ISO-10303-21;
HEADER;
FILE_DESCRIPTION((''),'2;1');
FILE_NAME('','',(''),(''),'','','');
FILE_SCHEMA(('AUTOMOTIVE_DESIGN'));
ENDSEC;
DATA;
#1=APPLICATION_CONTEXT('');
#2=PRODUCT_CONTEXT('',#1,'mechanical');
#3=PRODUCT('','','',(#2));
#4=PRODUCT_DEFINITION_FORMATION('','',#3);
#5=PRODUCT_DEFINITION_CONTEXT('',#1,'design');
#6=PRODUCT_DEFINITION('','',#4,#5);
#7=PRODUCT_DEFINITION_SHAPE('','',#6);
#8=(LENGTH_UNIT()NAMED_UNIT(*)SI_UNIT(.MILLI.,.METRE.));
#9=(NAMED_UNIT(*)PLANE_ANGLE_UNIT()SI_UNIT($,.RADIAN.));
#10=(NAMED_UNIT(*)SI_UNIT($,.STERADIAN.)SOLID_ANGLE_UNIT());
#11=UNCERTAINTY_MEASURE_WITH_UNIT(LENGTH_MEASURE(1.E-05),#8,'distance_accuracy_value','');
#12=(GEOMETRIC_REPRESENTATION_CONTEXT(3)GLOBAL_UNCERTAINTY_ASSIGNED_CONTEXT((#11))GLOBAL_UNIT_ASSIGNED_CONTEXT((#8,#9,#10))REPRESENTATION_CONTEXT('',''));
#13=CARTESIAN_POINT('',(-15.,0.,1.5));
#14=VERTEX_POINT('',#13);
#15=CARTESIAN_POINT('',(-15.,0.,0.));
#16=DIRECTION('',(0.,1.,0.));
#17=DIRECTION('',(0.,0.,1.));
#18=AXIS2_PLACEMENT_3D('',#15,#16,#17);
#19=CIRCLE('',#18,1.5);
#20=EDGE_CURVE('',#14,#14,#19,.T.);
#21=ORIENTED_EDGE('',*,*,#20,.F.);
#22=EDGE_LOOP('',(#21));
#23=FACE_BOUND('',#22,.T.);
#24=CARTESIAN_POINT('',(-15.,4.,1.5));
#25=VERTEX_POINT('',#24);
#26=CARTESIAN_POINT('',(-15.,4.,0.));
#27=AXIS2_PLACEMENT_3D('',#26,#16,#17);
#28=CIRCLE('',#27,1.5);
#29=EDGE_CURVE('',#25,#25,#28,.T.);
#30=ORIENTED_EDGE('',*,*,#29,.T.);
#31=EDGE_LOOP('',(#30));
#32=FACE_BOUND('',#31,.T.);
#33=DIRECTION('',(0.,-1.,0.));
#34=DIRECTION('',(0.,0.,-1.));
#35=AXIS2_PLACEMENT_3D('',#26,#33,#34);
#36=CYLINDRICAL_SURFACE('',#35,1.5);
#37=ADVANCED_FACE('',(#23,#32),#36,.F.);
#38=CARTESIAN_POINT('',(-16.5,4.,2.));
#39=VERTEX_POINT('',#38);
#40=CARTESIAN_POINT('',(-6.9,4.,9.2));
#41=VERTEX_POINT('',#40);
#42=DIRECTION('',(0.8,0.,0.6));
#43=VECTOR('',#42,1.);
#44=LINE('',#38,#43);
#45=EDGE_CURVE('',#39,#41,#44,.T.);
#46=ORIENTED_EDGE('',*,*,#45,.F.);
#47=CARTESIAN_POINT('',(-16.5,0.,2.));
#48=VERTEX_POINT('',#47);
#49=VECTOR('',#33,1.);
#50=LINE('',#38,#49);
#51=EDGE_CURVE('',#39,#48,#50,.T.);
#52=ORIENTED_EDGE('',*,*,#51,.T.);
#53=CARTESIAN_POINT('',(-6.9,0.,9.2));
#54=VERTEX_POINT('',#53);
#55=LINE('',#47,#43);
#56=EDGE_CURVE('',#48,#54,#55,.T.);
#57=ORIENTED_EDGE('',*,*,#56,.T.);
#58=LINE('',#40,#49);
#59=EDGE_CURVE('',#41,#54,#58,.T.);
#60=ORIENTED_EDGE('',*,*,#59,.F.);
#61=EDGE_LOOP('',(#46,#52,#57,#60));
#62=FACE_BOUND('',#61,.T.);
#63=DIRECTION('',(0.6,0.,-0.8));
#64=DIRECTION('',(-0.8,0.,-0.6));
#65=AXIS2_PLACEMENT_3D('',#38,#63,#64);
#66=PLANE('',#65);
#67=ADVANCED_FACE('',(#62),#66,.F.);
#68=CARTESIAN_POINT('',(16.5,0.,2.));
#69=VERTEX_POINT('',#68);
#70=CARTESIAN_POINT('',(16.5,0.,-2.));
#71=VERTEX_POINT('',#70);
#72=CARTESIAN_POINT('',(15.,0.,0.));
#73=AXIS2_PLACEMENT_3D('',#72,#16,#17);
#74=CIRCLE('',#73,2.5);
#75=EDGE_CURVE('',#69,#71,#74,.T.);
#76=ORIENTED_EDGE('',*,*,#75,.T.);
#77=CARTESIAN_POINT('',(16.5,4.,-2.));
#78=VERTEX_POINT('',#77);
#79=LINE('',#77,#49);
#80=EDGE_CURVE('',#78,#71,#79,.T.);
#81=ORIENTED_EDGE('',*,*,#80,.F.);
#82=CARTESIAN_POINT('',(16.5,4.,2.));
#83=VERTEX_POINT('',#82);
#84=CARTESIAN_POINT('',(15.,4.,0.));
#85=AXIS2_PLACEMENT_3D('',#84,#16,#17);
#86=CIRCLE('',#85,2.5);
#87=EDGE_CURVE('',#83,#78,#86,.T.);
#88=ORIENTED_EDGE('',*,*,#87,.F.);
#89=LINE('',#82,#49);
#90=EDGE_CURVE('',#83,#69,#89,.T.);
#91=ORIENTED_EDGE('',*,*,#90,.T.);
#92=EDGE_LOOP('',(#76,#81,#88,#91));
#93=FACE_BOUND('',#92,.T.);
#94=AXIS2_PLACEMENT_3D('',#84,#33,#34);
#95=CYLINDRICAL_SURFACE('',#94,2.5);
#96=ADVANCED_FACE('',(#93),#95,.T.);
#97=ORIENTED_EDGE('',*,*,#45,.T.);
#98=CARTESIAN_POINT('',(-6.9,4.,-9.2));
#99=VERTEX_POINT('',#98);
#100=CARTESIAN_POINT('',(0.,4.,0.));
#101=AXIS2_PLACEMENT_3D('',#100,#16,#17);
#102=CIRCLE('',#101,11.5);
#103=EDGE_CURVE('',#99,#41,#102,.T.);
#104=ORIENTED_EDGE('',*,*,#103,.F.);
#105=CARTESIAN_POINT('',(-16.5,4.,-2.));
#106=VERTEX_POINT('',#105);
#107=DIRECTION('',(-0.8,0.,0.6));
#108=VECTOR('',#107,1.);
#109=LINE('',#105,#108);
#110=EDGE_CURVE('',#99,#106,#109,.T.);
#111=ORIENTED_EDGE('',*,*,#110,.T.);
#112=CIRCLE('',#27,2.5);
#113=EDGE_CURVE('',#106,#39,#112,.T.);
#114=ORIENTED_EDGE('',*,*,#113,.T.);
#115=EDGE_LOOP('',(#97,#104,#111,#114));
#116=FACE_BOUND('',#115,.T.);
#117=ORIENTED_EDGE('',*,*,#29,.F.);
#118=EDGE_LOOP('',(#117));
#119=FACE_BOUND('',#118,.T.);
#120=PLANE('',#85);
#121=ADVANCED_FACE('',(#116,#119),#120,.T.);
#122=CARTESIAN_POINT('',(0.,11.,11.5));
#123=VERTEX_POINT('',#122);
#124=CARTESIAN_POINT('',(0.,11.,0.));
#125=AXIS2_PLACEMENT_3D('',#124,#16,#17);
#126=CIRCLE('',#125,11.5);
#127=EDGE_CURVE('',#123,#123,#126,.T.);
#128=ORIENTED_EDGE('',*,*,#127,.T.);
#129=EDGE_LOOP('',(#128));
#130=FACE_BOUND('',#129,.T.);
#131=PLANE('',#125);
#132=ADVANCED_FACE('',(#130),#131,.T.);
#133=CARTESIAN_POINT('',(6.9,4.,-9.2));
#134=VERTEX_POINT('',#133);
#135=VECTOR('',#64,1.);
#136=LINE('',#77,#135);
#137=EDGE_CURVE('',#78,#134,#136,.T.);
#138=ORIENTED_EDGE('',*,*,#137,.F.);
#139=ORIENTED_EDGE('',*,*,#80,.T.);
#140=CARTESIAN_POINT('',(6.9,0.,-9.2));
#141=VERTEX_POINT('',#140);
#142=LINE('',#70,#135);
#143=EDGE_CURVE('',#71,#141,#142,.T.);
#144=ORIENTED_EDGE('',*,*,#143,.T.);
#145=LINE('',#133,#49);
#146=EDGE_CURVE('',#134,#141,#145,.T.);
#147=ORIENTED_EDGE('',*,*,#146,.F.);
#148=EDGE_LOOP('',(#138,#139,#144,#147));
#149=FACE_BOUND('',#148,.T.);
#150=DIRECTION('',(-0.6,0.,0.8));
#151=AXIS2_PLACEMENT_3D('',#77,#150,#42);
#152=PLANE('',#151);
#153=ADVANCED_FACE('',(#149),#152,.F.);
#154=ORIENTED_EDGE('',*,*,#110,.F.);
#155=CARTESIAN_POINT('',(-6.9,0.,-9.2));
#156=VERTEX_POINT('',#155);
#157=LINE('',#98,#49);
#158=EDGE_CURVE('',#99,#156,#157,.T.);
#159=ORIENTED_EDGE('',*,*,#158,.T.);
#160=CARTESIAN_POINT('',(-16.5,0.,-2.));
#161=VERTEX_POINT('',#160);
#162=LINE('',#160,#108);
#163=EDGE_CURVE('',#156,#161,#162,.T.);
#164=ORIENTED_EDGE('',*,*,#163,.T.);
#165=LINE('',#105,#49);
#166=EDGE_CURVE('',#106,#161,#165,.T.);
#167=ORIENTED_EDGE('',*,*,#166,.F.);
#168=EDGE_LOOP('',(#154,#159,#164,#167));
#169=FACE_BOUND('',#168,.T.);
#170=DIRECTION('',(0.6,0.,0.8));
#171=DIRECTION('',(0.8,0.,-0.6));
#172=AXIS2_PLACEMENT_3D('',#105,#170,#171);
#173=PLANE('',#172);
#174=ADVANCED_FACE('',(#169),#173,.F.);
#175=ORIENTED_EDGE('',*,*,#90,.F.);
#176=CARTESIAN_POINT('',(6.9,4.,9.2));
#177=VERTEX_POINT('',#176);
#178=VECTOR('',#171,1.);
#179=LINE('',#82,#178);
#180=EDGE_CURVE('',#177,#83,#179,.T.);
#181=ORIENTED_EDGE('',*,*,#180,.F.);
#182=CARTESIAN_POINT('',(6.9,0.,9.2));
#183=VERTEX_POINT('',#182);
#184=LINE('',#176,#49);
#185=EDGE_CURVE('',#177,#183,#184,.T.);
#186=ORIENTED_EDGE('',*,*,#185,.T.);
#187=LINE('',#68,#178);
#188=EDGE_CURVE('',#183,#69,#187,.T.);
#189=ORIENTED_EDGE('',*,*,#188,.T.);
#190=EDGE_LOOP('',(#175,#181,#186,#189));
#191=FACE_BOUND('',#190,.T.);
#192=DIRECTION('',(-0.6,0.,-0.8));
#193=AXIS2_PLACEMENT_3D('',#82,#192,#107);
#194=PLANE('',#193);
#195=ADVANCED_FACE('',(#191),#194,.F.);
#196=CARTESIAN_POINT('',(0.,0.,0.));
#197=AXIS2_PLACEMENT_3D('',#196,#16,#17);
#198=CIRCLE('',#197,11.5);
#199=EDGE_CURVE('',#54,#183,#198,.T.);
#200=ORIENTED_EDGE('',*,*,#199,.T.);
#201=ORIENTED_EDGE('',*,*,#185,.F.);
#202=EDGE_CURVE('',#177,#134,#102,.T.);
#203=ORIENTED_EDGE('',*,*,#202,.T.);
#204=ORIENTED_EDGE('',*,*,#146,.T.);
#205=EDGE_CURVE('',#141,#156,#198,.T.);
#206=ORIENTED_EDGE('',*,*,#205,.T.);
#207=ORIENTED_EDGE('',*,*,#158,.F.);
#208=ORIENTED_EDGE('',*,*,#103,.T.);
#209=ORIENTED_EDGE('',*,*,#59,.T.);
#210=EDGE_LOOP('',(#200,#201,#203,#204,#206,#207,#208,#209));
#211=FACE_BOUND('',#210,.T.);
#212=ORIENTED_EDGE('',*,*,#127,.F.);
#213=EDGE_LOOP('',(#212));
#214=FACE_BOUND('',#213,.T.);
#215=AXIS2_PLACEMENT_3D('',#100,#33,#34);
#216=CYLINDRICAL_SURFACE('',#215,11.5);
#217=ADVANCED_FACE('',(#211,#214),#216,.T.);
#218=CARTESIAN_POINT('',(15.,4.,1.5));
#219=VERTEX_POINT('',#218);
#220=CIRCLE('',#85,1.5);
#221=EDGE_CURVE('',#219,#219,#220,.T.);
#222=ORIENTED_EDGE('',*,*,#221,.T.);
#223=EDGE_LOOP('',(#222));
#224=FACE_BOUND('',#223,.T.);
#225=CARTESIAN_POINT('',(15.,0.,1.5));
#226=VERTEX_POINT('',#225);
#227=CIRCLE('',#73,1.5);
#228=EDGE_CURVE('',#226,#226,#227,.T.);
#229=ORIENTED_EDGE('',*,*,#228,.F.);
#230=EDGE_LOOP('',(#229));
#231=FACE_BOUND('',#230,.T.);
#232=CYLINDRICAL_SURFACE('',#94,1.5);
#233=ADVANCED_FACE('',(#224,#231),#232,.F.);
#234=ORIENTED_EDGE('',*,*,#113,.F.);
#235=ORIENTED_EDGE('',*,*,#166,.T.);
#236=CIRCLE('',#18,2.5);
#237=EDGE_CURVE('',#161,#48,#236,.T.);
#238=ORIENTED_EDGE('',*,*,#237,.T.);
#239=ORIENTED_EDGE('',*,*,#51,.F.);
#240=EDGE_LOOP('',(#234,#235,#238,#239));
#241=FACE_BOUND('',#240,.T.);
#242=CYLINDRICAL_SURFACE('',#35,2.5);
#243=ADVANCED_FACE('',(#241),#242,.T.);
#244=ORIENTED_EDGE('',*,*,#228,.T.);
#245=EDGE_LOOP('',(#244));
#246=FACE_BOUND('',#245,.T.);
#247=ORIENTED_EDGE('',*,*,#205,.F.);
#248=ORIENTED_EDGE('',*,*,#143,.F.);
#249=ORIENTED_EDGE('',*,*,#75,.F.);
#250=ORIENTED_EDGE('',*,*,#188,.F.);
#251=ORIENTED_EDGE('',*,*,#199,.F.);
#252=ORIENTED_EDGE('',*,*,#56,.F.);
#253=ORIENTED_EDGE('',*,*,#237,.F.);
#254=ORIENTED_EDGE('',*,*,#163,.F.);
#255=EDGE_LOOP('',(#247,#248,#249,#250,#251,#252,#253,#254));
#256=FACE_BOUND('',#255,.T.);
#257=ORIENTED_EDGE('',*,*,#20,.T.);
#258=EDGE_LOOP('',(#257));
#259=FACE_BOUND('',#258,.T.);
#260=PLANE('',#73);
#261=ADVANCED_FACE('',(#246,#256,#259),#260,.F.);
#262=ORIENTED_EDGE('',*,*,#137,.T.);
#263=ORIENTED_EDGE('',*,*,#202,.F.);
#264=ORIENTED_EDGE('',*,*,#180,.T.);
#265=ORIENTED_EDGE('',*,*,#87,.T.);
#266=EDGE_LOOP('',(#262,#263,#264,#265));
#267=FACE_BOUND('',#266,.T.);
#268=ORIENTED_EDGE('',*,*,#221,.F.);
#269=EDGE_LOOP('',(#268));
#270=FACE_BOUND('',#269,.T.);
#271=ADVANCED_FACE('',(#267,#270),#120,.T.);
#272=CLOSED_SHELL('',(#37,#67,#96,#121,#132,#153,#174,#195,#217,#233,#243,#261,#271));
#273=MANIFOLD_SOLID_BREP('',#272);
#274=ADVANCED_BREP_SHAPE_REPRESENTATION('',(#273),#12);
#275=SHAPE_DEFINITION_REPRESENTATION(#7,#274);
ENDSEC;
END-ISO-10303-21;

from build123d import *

# Parameters (mm, degrees)
CROQUIS1_R              = 1.5
SALIENTE_EXTRUIR1_DEPTH = 4
CROQUIS2_R              = 11.5
SALIENTE_EXTRUIR2_DEPTH = 7


with BuildPart() as part:
    # Croquis1 → Saliente-Extruir1 (new body)
    with BuildSketch(Plane(origin=(0, 0, 0), x_dir=(1, 0, 0), z_dir=(0, 1, 0))):
        with BuildLine():
            Line((16.5, 2), (6.9, 9.2))
            ThreePointArc((6.9, 9.2), (0, 11.5), (-6.9, 9.2))
            Line((-6.9, 9.2), (-16.5, 2))
            ThreePointArc((-16.5, 2), (-17.5, 0), (-16.5, -2))
            Line((-16.5, -2), (-6.9, -9.2))
            ThreePointArc((-6.9, -9.2), (0, -11.5), (6.9, -9.2))
            Line((6.9, -9.2), (16.5, -2))
            ThreePointArc((16.5, -2), (17.5, 0), (16.5, 2))
        make_face()
        with Locations(Location((-15, 0, 0), (0, 0, 270))):
            Circle(CROQUIS1_R, mode=Mode.SUBTRACT)
        with Locations(Location((15, 0, 0), (0, 0, 270))):
            Circle(CROQUIS1_R, mode=Mode.SUBTRACT)
    extrude(amount=SALIENTE_EXTRUIR1_DEPTH)

    # Croquis2 → Saliente-Extruir2 (add)
    with BuildSketch(Plane(origin=(0, 4, 0), x_dir=(1, 0, 0), z_dir=(0, 1, 0))):
        with Locations(Location((0, 0, 0), (0, 0, 53.130102354))):
            Circle(CROQUIS2_R)
    extrude(amount=SALIENTE_EXTRUIR2_DEPTH)


solid = part.part
